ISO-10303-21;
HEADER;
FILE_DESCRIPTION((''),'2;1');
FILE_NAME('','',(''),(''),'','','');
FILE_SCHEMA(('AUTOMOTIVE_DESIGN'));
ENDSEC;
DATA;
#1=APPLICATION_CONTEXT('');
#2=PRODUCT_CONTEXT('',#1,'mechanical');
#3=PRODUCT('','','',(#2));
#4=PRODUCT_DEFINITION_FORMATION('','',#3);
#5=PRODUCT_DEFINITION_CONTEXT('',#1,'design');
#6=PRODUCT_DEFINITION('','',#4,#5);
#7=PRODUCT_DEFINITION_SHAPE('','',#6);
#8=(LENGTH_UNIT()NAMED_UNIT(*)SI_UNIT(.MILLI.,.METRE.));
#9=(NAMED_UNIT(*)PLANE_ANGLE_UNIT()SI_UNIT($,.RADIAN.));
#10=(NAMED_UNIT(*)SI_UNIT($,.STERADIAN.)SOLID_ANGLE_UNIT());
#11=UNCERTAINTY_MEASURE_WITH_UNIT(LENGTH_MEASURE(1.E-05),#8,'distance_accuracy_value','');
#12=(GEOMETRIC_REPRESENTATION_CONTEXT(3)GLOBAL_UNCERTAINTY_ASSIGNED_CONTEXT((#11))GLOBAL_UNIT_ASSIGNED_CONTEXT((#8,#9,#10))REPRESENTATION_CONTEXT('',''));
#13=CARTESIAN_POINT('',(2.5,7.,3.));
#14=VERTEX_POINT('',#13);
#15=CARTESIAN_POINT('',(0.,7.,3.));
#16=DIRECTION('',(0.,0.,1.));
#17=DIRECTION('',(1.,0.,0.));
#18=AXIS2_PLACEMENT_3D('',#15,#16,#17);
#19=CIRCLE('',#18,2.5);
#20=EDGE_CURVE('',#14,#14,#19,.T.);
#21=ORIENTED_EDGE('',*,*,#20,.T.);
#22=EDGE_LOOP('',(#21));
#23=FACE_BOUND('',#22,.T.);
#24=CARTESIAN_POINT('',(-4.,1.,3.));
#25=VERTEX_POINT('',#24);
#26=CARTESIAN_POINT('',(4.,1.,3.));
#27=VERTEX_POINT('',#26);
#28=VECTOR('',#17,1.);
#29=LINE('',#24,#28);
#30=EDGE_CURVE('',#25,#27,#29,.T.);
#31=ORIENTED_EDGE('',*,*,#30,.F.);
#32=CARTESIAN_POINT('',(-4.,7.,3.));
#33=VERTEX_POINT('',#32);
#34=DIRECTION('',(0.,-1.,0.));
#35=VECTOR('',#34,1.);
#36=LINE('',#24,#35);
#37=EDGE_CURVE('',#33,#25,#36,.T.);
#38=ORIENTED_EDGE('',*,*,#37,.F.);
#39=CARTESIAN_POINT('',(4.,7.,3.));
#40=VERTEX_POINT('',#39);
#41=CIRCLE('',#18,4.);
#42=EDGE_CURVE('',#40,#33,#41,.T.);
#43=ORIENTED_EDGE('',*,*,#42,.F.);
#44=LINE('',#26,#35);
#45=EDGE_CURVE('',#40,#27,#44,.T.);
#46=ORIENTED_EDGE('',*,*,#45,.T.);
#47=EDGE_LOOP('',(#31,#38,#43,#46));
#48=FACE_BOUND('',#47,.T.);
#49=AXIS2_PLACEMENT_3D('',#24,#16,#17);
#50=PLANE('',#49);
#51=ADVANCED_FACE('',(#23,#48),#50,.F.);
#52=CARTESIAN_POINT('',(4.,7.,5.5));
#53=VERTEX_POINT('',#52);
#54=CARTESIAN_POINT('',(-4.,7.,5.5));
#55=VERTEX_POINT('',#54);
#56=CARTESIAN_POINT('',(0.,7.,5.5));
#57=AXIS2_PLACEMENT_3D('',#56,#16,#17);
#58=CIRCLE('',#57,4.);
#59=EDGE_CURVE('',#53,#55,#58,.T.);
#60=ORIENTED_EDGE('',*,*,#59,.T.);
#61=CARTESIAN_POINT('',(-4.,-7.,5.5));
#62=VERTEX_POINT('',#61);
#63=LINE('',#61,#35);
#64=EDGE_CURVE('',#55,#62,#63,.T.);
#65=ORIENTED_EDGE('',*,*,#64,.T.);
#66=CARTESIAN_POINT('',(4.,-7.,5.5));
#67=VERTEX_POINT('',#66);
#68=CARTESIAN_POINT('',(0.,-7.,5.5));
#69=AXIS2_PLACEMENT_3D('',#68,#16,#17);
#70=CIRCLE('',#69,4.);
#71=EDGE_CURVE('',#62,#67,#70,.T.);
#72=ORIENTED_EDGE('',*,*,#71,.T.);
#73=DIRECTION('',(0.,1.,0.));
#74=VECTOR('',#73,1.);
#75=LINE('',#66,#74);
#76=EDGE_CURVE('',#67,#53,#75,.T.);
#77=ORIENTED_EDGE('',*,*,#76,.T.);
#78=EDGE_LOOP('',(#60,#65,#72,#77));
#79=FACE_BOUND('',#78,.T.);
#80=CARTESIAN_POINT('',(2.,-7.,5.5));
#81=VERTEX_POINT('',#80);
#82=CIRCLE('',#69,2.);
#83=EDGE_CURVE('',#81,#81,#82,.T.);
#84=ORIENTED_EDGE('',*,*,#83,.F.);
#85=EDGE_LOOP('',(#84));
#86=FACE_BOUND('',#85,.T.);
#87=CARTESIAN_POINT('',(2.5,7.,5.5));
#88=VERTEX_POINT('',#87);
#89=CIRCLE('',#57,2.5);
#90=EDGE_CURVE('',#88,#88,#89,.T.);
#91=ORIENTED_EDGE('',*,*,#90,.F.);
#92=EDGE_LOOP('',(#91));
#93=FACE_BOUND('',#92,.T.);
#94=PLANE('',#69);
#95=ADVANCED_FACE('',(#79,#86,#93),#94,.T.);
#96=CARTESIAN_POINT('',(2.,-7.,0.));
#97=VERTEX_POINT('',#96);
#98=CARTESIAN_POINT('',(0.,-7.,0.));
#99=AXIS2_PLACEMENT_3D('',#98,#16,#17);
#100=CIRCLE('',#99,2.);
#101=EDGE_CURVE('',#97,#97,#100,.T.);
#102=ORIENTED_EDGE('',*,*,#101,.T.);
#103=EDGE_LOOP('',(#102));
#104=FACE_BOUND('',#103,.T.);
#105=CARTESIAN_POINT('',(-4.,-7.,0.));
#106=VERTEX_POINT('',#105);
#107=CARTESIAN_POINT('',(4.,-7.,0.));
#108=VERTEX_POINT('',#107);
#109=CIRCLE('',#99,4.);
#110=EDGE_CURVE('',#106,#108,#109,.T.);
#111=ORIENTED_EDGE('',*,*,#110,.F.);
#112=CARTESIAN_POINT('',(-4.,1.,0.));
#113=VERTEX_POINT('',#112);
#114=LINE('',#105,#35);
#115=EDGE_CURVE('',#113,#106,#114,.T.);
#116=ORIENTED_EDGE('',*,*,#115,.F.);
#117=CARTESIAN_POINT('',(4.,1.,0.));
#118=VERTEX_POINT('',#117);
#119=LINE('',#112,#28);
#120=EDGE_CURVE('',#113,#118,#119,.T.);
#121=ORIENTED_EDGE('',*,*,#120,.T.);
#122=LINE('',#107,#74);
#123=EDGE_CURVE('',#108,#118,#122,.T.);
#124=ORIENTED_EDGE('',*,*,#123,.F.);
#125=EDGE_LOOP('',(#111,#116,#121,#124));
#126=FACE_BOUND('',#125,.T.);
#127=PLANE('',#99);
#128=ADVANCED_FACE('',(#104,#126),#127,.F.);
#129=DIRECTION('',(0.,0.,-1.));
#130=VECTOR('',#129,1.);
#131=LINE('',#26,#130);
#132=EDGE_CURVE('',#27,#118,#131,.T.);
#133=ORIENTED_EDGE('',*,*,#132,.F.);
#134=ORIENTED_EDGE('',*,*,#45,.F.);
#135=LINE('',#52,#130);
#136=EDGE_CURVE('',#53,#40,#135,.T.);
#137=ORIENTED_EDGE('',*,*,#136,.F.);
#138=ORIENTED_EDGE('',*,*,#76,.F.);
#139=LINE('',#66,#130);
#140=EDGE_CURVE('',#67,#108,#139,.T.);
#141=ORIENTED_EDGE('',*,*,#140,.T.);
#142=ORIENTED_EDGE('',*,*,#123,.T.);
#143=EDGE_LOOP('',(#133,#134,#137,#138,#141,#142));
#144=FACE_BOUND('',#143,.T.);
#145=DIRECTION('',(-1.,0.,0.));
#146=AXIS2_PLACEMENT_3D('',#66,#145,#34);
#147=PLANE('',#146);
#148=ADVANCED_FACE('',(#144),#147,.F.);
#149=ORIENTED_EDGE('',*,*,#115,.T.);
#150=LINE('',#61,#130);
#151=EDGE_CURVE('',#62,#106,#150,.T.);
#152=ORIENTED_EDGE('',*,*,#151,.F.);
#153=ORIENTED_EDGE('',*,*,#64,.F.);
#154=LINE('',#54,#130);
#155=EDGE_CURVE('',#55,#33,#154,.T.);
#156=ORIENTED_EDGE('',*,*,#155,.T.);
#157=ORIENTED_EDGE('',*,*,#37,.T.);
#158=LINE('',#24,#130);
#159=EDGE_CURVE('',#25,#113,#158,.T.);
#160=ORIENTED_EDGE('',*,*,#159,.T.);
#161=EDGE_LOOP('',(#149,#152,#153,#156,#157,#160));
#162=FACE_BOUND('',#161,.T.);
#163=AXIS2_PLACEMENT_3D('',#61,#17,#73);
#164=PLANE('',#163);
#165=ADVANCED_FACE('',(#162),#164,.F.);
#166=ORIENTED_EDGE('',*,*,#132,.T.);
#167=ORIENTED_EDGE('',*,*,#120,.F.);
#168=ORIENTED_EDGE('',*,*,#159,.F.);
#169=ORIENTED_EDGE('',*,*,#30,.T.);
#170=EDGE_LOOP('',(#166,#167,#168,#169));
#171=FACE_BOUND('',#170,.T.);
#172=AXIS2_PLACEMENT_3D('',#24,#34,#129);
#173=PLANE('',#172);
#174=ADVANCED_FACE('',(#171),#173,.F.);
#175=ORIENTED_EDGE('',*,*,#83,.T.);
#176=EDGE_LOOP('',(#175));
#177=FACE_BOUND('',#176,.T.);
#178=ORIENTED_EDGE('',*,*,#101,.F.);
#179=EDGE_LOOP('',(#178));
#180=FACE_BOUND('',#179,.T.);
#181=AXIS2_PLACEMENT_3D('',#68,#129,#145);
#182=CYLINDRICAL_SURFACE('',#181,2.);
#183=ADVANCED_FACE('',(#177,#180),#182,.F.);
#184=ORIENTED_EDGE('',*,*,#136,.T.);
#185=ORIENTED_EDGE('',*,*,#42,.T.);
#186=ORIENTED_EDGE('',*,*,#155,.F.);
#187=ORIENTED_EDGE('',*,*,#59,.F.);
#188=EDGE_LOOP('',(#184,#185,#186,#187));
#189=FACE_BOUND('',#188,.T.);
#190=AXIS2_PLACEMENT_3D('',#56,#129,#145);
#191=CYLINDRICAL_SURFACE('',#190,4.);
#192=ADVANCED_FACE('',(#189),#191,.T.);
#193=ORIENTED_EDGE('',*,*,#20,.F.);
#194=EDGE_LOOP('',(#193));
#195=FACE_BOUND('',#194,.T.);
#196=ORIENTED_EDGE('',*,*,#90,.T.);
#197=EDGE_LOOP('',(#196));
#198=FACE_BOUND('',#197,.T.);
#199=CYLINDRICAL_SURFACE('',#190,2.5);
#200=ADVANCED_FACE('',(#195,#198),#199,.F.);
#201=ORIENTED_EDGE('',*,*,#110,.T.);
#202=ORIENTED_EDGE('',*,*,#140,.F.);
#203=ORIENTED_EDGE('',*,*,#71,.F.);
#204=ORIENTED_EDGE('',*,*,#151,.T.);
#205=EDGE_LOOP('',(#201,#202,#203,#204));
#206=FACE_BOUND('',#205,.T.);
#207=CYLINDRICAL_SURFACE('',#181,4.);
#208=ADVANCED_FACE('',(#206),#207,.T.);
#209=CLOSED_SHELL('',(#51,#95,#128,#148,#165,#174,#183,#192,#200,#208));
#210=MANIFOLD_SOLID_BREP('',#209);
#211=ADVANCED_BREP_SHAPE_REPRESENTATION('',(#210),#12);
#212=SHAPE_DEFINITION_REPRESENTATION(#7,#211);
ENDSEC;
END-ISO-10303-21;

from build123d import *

# Parameters (mm, degrees)
ESQUISSE1_R                  = 2
ESQUISSE1_R_2                = 2.5
BOSS_EXTRU_1_DEPTH           = 5.5
ESQUISSE2_W                  = 3
ESQUISSE2_H                  = 10
ENL_V_MAT_EXTRU_1_DEPTH      = 5
ENL_V_MAT_EXTRU_1_DEPTH_BACK = 5


with BuildPart() as part:
    # Esquisse1 → Boss.-Extru.1 (new body)
    with BuildSketch(Plane.XY):
        with BuildLine():
            Line((-4, -7), (-4, 7))
            ThreePointArc((-4, 7), (0, 11), (4, 7))
            Line((4, 7), (4, -7))
            ThreePointArc((4, -7), (0, -11), (-4, -7))
        make_face()
        with Locations((0, -7)):
            Circle(ESQUISSE1_R, mode=Mode.SUBTRACT)
        with Locations((0, 7)):
            Circle(ESQUISSE1_R_2, mode=Mode.SUBTRACT)
    extrude(amount=BOSS_EXTRU_1_DEPTH)

    # Esquisse2 → Enlèv. mat.-Extru.1 (cut, two sides)
    with BuildSketch(Plane(origin=(0, 0, 0), x_dir=(0, 0, -1), z_dir=(1, 0, 0))) as enl_v_mat_extru_1_sk:
        with Locations((-1.5, 6)):
            Rectangle(ESQUISSE2_W, ESQUISSE2_H)
    extrude(amount=ENL_V_MAT_EXTRU_1_DEPTH, mode=Mode.SUBTRACT)
    extrude(enl_v_mat_extru_1_sk.sketch, amount=-ENL_V_MAT_EXTRU_1_DEPTH_BACK, mode=Mode.SUBTRACT)


solid = part.part
